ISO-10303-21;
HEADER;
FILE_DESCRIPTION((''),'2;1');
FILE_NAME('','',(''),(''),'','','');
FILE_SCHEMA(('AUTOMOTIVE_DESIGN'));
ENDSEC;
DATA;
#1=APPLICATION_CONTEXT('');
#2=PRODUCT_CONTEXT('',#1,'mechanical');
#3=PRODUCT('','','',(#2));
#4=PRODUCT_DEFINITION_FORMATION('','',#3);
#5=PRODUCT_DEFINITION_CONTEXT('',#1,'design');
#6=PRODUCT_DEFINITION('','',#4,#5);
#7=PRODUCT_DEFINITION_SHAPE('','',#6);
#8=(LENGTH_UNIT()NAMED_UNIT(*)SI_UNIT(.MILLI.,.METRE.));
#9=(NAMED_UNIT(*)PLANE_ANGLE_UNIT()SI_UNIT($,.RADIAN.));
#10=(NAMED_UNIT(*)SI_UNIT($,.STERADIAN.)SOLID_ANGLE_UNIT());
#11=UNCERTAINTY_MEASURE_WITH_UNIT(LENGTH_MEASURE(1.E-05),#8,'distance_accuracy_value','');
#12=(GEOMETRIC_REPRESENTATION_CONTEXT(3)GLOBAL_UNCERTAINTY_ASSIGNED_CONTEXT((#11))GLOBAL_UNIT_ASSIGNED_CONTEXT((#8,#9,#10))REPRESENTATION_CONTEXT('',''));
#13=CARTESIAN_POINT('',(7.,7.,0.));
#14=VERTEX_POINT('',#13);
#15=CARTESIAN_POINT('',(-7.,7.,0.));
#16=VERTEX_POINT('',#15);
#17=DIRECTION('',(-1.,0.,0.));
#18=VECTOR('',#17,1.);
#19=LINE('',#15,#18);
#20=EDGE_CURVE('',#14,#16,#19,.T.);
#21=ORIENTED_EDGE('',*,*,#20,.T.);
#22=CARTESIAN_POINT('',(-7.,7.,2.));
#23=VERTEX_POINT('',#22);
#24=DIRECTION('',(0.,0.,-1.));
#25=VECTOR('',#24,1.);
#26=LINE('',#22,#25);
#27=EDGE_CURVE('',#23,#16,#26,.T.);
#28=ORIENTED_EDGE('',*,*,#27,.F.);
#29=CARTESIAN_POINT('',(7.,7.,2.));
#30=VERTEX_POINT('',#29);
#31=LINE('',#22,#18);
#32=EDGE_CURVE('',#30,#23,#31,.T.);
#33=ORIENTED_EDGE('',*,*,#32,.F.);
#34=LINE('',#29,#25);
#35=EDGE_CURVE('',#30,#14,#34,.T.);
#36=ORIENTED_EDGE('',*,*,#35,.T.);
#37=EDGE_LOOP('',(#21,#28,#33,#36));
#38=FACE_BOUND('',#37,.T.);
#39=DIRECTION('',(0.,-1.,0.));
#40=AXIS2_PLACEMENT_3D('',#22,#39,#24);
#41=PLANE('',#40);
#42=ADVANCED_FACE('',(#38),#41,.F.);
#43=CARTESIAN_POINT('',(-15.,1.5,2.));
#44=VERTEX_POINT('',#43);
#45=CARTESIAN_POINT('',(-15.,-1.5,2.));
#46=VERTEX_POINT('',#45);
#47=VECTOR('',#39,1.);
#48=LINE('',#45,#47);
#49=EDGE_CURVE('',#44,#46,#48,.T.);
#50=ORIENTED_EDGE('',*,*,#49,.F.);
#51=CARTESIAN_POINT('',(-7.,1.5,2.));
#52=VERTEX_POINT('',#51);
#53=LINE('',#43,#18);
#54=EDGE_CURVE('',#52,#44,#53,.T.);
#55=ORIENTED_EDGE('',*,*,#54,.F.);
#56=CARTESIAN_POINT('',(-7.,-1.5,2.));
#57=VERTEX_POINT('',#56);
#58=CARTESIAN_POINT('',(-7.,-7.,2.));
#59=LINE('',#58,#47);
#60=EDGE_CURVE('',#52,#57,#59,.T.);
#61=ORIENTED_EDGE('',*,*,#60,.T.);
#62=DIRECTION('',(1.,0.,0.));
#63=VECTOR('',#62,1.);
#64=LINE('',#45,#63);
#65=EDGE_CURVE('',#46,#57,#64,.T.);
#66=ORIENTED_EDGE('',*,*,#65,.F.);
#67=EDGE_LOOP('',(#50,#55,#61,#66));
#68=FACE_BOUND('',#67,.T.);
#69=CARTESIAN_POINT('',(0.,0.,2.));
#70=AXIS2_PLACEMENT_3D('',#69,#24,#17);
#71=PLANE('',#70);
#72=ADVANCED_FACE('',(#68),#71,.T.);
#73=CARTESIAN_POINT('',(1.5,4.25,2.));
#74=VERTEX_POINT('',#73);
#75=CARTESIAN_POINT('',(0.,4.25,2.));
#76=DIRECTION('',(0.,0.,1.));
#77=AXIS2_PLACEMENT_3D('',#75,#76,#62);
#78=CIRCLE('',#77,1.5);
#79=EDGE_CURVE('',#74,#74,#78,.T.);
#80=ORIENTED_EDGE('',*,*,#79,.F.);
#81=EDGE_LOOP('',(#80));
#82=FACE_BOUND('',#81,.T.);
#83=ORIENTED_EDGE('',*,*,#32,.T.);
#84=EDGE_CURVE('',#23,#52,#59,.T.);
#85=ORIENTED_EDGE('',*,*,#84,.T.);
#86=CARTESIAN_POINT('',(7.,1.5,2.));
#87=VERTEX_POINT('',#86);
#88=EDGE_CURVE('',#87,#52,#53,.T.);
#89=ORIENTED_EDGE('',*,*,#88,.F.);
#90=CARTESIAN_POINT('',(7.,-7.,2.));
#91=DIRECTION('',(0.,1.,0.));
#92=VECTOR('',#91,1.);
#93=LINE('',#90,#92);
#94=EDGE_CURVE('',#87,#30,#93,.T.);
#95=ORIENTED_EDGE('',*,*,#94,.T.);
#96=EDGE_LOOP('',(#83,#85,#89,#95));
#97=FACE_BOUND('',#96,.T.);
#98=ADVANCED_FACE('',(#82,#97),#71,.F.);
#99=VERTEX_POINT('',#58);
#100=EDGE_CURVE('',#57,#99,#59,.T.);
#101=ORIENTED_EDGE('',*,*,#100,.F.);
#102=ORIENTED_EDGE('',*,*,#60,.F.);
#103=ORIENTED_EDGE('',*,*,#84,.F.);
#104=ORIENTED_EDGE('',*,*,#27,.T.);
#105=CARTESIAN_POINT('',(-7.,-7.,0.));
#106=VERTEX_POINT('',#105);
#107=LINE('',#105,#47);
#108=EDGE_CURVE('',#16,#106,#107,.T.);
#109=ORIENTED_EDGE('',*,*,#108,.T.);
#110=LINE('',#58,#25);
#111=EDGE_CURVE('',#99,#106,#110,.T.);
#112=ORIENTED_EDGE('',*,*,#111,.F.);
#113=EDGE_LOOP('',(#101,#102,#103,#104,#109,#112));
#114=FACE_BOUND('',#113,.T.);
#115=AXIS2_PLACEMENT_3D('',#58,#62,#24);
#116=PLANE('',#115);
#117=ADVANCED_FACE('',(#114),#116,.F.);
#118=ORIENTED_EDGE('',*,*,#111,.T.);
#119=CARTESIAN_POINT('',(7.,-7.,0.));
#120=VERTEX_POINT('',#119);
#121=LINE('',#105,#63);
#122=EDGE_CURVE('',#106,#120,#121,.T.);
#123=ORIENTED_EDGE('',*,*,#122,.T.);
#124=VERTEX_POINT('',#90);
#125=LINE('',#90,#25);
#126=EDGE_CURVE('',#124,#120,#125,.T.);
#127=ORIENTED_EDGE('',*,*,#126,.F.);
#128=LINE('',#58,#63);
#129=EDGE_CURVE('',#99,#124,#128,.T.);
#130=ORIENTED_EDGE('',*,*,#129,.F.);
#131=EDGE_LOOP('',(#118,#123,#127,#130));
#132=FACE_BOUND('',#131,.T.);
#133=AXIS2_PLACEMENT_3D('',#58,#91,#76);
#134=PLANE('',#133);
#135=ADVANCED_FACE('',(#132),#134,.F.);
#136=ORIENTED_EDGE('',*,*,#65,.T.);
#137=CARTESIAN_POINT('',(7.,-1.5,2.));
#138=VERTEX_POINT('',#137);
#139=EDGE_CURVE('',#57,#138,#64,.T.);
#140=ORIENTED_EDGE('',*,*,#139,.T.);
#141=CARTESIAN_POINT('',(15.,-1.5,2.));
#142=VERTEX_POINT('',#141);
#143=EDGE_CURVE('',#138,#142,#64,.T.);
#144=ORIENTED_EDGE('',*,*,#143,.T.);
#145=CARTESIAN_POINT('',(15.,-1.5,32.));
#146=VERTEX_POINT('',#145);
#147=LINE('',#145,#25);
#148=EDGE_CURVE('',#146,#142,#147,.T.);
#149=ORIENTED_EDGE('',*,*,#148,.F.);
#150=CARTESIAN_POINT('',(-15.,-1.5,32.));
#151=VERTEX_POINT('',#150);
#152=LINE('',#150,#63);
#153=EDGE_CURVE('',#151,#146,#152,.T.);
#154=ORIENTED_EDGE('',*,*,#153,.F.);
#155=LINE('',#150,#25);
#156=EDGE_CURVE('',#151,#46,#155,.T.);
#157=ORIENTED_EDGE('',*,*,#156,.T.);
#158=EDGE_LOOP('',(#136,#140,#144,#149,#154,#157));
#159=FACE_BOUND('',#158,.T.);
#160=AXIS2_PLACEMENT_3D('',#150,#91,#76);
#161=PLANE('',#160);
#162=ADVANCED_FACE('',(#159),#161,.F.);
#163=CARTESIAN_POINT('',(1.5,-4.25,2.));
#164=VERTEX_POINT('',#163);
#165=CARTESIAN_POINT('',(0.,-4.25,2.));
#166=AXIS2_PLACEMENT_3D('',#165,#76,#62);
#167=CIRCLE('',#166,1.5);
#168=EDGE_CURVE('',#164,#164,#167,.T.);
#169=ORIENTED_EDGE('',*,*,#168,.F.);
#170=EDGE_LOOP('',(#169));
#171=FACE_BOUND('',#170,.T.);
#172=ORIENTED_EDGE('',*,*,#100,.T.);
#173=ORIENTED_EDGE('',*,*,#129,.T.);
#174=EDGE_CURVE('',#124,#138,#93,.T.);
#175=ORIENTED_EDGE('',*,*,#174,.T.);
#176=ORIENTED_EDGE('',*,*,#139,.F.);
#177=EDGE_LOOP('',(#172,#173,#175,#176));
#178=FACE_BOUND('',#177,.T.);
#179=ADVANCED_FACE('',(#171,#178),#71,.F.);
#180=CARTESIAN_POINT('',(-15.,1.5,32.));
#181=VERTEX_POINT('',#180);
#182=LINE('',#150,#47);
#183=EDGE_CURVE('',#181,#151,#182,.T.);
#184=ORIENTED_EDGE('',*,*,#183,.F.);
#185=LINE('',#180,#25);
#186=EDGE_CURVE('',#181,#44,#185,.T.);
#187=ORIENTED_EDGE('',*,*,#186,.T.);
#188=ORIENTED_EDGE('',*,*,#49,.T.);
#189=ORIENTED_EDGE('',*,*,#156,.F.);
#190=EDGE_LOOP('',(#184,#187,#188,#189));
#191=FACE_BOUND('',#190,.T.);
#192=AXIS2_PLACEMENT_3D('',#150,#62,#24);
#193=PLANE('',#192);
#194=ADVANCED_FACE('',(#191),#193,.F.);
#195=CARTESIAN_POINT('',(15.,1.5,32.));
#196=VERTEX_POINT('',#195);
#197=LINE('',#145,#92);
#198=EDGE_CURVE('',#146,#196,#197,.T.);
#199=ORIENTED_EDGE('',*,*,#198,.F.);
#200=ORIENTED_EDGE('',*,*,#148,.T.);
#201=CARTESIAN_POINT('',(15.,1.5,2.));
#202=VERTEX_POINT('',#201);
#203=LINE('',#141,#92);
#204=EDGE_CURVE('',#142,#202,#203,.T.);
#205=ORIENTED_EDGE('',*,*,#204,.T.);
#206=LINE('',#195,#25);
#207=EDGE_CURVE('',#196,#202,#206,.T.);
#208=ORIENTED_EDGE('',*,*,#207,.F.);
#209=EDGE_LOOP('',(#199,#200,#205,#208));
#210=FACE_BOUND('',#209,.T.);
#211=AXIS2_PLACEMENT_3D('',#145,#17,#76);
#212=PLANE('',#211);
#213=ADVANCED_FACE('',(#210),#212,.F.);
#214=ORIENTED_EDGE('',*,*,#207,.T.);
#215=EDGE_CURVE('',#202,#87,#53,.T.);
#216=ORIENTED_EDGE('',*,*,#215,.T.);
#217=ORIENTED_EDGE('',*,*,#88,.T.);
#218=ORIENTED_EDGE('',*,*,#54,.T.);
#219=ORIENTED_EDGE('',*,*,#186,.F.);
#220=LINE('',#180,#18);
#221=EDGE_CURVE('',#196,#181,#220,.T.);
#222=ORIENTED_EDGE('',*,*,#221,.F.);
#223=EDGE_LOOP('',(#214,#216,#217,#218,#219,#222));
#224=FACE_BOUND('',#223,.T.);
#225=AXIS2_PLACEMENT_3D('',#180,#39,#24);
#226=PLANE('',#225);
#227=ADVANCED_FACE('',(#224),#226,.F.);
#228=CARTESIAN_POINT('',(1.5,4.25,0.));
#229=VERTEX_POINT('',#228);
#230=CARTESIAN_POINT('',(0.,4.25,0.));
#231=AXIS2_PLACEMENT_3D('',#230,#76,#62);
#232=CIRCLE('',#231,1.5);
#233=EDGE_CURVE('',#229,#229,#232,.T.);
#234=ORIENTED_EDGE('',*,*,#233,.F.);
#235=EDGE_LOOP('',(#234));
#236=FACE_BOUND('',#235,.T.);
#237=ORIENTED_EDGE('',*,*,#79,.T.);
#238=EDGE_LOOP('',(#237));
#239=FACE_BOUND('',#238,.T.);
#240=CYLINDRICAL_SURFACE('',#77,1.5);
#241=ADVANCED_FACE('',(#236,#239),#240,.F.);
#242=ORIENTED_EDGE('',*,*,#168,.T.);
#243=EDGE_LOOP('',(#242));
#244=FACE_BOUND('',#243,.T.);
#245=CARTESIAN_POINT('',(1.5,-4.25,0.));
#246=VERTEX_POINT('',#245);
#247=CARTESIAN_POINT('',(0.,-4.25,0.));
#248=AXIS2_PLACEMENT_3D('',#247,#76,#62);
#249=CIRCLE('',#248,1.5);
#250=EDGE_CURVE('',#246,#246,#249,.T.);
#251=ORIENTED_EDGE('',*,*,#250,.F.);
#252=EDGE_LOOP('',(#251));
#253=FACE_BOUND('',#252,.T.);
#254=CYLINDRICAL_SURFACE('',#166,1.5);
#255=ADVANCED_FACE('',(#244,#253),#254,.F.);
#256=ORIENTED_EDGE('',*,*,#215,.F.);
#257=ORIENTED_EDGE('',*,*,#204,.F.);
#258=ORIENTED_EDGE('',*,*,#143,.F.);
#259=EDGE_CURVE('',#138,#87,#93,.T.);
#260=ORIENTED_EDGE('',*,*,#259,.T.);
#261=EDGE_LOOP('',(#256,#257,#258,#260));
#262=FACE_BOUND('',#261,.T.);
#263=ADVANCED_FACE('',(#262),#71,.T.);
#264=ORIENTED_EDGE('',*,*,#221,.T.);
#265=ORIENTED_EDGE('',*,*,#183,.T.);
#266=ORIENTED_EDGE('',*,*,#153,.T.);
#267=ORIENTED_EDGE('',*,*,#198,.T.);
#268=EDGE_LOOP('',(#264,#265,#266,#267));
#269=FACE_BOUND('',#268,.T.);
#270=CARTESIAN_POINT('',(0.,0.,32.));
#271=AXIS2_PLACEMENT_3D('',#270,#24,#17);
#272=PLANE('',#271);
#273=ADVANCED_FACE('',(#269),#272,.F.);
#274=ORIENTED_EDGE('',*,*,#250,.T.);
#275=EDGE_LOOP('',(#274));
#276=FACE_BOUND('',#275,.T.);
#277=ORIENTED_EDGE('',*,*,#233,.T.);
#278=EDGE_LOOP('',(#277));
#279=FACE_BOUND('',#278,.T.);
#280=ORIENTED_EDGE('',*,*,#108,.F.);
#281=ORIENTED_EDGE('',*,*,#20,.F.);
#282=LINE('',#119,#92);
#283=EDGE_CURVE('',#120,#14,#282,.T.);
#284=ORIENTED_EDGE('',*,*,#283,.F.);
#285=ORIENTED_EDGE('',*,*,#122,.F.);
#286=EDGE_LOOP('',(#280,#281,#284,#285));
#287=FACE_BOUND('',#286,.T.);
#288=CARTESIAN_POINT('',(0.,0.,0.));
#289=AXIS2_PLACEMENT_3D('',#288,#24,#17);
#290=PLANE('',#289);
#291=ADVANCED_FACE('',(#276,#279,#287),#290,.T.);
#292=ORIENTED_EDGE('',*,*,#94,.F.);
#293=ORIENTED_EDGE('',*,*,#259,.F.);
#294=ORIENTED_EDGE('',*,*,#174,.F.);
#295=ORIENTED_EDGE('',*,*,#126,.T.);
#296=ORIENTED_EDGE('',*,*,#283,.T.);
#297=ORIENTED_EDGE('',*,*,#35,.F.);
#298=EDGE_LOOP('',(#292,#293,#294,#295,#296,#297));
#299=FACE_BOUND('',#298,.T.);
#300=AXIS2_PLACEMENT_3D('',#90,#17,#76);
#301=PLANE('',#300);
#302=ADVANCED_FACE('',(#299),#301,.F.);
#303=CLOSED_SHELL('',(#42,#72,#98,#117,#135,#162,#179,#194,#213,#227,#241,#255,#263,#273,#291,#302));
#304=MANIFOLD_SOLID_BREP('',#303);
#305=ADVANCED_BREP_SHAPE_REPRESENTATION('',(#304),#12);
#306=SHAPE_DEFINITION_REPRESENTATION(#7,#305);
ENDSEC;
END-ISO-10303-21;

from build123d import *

# Parameters (mm, degrees)
SKETCH1_W             = 14
SKETCH1_H             = 14
BOSS_EXTRUDE1_DEPTH   = 2
SKETCH2_W             = 30
SKETCH2_H             = 3
BOSS_EXTRUDE2_DEPTH   = 30
F_3_0MM_DOWEL_HOLE1_D = 3


with BuildPart() as part:
    # Sketch1 → Boss-Extrude1 (new body)
    with BuildSketch(Plane.XY):
        Rectangle(SKETCH1_W, SKETCH1_H)
    extrude(amount=BOSS_EXTRUDE1_DEPTH)

    # Sketch2 → Boss-Extrude2 (add)
    with BuildSketch(Plane.XY.offset(2)):
        Rectangle(SKETCH2_W, SKETCH2_H)
    extrude(amount=BOSS_EXTRUDE2_DEPTH)

    # Ø3.0mm Dowel Hole1 (through all)
    with Locations(Plane.XY.offset(2)):
        with Locations((0, -4.25), (0, 4.25)):
            Hole(F_3_0MM_DOWEL_HOLE1_D / 2)


solid = part.part
